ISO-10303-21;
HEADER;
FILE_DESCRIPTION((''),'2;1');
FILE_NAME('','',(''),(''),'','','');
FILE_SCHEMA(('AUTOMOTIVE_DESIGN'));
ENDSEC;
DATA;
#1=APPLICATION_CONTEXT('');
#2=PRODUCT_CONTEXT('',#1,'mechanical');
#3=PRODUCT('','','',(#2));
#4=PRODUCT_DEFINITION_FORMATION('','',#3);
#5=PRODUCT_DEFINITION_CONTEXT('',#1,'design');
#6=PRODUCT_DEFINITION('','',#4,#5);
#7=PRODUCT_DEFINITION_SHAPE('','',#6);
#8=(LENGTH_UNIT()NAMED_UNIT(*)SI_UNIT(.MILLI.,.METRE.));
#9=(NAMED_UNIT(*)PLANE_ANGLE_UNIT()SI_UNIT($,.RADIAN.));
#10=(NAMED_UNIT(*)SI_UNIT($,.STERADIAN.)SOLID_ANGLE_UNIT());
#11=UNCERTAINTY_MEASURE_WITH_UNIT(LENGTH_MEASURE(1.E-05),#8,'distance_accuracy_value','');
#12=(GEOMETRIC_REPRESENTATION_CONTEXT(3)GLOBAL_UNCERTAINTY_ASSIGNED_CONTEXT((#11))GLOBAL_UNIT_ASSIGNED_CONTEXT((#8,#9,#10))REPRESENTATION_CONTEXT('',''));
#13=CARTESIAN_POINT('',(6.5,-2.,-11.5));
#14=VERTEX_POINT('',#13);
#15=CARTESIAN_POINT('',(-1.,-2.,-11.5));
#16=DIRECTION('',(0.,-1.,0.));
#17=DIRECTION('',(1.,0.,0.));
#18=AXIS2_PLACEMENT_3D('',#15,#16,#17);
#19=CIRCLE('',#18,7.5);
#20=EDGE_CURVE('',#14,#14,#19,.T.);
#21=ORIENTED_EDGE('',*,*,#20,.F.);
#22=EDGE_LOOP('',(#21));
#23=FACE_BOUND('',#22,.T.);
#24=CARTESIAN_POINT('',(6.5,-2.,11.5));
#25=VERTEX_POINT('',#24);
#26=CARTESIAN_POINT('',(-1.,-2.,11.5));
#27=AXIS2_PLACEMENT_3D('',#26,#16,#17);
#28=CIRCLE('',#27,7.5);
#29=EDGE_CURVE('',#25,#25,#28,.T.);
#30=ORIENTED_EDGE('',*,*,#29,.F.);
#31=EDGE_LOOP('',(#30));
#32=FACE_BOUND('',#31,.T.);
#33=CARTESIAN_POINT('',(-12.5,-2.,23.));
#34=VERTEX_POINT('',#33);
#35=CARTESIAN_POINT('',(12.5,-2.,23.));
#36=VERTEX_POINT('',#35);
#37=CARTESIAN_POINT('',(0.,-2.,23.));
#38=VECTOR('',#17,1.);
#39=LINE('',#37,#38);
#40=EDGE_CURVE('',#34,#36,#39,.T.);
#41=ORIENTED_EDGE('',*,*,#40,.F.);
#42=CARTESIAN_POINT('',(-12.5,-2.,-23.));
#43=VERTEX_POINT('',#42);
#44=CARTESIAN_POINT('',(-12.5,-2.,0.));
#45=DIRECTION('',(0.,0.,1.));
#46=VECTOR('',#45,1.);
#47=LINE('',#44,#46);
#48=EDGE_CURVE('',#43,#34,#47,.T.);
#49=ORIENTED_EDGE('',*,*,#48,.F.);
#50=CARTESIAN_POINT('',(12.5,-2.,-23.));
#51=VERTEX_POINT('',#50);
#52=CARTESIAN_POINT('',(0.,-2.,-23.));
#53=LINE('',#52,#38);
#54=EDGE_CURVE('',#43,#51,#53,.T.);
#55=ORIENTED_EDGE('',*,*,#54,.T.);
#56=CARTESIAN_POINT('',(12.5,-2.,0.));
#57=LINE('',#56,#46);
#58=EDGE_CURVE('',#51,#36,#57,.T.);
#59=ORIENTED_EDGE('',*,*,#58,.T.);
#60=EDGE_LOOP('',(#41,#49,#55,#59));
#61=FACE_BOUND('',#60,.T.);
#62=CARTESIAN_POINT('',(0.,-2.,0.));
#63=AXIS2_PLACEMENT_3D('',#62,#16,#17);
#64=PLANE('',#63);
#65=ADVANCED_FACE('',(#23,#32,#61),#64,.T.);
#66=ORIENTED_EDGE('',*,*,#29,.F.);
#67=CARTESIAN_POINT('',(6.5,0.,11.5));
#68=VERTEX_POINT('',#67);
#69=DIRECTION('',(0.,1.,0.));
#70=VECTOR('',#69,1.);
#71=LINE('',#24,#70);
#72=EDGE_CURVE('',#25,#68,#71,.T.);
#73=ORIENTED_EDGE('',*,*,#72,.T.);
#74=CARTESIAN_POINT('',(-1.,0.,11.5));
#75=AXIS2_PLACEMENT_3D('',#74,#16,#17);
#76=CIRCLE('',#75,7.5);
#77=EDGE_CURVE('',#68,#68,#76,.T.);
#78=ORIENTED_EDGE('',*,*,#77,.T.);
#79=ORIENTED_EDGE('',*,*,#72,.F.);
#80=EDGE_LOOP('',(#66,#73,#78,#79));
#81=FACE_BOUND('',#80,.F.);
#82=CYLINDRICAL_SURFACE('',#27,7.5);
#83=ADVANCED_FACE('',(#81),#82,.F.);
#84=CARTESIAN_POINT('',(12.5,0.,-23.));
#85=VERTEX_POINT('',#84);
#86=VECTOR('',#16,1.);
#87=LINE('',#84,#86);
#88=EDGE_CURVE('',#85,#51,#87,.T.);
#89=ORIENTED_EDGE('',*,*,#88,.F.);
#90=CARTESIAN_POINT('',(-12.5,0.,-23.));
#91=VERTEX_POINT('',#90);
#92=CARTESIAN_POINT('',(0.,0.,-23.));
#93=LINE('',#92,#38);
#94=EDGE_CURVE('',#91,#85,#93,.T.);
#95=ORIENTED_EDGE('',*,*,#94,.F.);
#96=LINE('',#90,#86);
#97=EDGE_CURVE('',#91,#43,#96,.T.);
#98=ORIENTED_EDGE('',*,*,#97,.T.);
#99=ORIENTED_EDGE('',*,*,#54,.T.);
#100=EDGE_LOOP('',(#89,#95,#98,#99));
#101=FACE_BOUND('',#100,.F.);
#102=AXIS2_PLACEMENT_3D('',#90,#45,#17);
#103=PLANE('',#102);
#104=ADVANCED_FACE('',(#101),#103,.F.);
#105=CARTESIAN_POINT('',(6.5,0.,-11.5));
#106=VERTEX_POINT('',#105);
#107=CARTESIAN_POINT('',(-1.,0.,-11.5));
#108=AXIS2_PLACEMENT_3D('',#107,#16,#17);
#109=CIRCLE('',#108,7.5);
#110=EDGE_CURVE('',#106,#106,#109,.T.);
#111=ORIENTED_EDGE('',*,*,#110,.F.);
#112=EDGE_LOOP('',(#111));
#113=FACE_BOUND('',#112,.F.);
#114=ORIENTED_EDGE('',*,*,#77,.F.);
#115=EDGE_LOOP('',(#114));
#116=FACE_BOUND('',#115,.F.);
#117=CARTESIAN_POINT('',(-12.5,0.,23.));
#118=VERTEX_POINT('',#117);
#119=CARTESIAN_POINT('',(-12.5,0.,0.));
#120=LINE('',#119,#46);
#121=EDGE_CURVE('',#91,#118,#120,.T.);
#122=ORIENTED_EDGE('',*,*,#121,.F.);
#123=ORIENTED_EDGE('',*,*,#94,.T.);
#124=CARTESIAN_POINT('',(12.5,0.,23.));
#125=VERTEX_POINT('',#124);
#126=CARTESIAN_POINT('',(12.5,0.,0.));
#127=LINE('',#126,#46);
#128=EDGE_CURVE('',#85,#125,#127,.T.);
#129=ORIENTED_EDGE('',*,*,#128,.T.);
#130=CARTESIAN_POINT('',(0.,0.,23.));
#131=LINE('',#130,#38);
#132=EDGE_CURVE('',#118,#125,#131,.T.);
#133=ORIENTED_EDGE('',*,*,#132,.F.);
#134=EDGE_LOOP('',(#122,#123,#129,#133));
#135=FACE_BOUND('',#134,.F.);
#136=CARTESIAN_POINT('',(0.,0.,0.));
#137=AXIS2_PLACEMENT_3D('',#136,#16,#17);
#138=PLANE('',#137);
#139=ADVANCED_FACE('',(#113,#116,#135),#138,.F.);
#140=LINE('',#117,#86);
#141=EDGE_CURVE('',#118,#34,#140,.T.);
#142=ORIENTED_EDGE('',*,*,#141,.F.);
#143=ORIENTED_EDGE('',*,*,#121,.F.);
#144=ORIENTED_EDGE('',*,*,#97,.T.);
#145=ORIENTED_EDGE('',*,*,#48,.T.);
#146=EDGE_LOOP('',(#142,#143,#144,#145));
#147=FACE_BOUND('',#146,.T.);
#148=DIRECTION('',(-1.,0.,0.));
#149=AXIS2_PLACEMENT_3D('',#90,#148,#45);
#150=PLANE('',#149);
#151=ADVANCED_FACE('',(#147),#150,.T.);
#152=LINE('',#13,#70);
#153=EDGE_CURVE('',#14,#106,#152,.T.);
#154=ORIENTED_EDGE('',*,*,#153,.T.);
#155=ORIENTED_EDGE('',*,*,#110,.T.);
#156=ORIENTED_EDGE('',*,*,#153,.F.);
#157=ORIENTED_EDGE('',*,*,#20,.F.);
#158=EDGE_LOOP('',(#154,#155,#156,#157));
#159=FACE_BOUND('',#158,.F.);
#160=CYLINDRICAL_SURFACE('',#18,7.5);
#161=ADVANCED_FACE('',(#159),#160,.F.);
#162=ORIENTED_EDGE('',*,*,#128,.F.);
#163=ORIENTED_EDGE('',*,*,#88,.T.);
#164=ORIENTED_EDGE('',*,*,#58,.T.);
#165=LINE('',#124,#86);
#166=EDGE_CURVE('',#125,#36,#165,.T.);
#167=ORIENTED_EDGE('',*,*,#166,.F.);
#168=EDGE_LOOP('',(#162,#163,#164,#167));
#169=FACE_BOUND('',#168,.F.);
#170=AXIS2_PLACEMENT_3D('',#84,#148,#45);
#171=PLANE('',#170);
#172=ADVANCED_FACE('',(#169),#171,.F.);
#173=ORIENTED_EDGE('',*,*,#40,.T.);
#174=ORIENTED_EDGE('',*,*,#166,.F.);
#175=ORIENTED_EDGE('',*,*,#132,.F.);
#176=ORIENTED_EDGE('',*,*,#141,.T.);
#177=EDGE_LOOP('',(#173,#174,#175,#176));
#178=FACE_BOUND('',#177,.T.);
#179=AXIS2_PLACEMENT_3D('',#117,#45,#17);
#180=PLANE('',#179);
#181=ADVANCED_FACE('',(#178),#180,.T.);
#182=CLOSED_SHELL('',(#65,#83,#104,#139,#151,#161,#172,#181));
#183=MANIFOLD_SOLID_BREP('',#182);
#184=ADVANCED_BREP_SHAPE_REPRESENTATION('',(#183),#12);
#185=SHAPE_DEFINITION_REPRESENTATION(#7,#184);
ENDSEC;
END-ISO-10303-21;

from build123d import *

# Parameters (mm, degrees)
SKETCH_W     = 25
SKETCH_H     = 46
PAD_DEPTH    = 2
SKETCH001_R  = 7.5
POCKET_DEPTH = 5


with BuildPart() as part:
    # Sketch → Pad (new body)
    with BuildSketch(Plane.XZ):
        Rectangle(SKETCH_W, SKETCH_H)
    extrude(amount=PAD_DEPTH)

    # Sketch001 (on Face6 of Pad) → Pocket (cut)
    with BuildSketch(Plane.XZ.offset(2)):
        with Locations((-1, 11.5)):
            Circle(SKETCH001_R)
        with Locations((-1, -11.5)):
            Circle(SKETCH001_R)
    extrude(amount=-POCKET_DEPTH, mode=Mode.SUBTRACT)


solid = part.part
